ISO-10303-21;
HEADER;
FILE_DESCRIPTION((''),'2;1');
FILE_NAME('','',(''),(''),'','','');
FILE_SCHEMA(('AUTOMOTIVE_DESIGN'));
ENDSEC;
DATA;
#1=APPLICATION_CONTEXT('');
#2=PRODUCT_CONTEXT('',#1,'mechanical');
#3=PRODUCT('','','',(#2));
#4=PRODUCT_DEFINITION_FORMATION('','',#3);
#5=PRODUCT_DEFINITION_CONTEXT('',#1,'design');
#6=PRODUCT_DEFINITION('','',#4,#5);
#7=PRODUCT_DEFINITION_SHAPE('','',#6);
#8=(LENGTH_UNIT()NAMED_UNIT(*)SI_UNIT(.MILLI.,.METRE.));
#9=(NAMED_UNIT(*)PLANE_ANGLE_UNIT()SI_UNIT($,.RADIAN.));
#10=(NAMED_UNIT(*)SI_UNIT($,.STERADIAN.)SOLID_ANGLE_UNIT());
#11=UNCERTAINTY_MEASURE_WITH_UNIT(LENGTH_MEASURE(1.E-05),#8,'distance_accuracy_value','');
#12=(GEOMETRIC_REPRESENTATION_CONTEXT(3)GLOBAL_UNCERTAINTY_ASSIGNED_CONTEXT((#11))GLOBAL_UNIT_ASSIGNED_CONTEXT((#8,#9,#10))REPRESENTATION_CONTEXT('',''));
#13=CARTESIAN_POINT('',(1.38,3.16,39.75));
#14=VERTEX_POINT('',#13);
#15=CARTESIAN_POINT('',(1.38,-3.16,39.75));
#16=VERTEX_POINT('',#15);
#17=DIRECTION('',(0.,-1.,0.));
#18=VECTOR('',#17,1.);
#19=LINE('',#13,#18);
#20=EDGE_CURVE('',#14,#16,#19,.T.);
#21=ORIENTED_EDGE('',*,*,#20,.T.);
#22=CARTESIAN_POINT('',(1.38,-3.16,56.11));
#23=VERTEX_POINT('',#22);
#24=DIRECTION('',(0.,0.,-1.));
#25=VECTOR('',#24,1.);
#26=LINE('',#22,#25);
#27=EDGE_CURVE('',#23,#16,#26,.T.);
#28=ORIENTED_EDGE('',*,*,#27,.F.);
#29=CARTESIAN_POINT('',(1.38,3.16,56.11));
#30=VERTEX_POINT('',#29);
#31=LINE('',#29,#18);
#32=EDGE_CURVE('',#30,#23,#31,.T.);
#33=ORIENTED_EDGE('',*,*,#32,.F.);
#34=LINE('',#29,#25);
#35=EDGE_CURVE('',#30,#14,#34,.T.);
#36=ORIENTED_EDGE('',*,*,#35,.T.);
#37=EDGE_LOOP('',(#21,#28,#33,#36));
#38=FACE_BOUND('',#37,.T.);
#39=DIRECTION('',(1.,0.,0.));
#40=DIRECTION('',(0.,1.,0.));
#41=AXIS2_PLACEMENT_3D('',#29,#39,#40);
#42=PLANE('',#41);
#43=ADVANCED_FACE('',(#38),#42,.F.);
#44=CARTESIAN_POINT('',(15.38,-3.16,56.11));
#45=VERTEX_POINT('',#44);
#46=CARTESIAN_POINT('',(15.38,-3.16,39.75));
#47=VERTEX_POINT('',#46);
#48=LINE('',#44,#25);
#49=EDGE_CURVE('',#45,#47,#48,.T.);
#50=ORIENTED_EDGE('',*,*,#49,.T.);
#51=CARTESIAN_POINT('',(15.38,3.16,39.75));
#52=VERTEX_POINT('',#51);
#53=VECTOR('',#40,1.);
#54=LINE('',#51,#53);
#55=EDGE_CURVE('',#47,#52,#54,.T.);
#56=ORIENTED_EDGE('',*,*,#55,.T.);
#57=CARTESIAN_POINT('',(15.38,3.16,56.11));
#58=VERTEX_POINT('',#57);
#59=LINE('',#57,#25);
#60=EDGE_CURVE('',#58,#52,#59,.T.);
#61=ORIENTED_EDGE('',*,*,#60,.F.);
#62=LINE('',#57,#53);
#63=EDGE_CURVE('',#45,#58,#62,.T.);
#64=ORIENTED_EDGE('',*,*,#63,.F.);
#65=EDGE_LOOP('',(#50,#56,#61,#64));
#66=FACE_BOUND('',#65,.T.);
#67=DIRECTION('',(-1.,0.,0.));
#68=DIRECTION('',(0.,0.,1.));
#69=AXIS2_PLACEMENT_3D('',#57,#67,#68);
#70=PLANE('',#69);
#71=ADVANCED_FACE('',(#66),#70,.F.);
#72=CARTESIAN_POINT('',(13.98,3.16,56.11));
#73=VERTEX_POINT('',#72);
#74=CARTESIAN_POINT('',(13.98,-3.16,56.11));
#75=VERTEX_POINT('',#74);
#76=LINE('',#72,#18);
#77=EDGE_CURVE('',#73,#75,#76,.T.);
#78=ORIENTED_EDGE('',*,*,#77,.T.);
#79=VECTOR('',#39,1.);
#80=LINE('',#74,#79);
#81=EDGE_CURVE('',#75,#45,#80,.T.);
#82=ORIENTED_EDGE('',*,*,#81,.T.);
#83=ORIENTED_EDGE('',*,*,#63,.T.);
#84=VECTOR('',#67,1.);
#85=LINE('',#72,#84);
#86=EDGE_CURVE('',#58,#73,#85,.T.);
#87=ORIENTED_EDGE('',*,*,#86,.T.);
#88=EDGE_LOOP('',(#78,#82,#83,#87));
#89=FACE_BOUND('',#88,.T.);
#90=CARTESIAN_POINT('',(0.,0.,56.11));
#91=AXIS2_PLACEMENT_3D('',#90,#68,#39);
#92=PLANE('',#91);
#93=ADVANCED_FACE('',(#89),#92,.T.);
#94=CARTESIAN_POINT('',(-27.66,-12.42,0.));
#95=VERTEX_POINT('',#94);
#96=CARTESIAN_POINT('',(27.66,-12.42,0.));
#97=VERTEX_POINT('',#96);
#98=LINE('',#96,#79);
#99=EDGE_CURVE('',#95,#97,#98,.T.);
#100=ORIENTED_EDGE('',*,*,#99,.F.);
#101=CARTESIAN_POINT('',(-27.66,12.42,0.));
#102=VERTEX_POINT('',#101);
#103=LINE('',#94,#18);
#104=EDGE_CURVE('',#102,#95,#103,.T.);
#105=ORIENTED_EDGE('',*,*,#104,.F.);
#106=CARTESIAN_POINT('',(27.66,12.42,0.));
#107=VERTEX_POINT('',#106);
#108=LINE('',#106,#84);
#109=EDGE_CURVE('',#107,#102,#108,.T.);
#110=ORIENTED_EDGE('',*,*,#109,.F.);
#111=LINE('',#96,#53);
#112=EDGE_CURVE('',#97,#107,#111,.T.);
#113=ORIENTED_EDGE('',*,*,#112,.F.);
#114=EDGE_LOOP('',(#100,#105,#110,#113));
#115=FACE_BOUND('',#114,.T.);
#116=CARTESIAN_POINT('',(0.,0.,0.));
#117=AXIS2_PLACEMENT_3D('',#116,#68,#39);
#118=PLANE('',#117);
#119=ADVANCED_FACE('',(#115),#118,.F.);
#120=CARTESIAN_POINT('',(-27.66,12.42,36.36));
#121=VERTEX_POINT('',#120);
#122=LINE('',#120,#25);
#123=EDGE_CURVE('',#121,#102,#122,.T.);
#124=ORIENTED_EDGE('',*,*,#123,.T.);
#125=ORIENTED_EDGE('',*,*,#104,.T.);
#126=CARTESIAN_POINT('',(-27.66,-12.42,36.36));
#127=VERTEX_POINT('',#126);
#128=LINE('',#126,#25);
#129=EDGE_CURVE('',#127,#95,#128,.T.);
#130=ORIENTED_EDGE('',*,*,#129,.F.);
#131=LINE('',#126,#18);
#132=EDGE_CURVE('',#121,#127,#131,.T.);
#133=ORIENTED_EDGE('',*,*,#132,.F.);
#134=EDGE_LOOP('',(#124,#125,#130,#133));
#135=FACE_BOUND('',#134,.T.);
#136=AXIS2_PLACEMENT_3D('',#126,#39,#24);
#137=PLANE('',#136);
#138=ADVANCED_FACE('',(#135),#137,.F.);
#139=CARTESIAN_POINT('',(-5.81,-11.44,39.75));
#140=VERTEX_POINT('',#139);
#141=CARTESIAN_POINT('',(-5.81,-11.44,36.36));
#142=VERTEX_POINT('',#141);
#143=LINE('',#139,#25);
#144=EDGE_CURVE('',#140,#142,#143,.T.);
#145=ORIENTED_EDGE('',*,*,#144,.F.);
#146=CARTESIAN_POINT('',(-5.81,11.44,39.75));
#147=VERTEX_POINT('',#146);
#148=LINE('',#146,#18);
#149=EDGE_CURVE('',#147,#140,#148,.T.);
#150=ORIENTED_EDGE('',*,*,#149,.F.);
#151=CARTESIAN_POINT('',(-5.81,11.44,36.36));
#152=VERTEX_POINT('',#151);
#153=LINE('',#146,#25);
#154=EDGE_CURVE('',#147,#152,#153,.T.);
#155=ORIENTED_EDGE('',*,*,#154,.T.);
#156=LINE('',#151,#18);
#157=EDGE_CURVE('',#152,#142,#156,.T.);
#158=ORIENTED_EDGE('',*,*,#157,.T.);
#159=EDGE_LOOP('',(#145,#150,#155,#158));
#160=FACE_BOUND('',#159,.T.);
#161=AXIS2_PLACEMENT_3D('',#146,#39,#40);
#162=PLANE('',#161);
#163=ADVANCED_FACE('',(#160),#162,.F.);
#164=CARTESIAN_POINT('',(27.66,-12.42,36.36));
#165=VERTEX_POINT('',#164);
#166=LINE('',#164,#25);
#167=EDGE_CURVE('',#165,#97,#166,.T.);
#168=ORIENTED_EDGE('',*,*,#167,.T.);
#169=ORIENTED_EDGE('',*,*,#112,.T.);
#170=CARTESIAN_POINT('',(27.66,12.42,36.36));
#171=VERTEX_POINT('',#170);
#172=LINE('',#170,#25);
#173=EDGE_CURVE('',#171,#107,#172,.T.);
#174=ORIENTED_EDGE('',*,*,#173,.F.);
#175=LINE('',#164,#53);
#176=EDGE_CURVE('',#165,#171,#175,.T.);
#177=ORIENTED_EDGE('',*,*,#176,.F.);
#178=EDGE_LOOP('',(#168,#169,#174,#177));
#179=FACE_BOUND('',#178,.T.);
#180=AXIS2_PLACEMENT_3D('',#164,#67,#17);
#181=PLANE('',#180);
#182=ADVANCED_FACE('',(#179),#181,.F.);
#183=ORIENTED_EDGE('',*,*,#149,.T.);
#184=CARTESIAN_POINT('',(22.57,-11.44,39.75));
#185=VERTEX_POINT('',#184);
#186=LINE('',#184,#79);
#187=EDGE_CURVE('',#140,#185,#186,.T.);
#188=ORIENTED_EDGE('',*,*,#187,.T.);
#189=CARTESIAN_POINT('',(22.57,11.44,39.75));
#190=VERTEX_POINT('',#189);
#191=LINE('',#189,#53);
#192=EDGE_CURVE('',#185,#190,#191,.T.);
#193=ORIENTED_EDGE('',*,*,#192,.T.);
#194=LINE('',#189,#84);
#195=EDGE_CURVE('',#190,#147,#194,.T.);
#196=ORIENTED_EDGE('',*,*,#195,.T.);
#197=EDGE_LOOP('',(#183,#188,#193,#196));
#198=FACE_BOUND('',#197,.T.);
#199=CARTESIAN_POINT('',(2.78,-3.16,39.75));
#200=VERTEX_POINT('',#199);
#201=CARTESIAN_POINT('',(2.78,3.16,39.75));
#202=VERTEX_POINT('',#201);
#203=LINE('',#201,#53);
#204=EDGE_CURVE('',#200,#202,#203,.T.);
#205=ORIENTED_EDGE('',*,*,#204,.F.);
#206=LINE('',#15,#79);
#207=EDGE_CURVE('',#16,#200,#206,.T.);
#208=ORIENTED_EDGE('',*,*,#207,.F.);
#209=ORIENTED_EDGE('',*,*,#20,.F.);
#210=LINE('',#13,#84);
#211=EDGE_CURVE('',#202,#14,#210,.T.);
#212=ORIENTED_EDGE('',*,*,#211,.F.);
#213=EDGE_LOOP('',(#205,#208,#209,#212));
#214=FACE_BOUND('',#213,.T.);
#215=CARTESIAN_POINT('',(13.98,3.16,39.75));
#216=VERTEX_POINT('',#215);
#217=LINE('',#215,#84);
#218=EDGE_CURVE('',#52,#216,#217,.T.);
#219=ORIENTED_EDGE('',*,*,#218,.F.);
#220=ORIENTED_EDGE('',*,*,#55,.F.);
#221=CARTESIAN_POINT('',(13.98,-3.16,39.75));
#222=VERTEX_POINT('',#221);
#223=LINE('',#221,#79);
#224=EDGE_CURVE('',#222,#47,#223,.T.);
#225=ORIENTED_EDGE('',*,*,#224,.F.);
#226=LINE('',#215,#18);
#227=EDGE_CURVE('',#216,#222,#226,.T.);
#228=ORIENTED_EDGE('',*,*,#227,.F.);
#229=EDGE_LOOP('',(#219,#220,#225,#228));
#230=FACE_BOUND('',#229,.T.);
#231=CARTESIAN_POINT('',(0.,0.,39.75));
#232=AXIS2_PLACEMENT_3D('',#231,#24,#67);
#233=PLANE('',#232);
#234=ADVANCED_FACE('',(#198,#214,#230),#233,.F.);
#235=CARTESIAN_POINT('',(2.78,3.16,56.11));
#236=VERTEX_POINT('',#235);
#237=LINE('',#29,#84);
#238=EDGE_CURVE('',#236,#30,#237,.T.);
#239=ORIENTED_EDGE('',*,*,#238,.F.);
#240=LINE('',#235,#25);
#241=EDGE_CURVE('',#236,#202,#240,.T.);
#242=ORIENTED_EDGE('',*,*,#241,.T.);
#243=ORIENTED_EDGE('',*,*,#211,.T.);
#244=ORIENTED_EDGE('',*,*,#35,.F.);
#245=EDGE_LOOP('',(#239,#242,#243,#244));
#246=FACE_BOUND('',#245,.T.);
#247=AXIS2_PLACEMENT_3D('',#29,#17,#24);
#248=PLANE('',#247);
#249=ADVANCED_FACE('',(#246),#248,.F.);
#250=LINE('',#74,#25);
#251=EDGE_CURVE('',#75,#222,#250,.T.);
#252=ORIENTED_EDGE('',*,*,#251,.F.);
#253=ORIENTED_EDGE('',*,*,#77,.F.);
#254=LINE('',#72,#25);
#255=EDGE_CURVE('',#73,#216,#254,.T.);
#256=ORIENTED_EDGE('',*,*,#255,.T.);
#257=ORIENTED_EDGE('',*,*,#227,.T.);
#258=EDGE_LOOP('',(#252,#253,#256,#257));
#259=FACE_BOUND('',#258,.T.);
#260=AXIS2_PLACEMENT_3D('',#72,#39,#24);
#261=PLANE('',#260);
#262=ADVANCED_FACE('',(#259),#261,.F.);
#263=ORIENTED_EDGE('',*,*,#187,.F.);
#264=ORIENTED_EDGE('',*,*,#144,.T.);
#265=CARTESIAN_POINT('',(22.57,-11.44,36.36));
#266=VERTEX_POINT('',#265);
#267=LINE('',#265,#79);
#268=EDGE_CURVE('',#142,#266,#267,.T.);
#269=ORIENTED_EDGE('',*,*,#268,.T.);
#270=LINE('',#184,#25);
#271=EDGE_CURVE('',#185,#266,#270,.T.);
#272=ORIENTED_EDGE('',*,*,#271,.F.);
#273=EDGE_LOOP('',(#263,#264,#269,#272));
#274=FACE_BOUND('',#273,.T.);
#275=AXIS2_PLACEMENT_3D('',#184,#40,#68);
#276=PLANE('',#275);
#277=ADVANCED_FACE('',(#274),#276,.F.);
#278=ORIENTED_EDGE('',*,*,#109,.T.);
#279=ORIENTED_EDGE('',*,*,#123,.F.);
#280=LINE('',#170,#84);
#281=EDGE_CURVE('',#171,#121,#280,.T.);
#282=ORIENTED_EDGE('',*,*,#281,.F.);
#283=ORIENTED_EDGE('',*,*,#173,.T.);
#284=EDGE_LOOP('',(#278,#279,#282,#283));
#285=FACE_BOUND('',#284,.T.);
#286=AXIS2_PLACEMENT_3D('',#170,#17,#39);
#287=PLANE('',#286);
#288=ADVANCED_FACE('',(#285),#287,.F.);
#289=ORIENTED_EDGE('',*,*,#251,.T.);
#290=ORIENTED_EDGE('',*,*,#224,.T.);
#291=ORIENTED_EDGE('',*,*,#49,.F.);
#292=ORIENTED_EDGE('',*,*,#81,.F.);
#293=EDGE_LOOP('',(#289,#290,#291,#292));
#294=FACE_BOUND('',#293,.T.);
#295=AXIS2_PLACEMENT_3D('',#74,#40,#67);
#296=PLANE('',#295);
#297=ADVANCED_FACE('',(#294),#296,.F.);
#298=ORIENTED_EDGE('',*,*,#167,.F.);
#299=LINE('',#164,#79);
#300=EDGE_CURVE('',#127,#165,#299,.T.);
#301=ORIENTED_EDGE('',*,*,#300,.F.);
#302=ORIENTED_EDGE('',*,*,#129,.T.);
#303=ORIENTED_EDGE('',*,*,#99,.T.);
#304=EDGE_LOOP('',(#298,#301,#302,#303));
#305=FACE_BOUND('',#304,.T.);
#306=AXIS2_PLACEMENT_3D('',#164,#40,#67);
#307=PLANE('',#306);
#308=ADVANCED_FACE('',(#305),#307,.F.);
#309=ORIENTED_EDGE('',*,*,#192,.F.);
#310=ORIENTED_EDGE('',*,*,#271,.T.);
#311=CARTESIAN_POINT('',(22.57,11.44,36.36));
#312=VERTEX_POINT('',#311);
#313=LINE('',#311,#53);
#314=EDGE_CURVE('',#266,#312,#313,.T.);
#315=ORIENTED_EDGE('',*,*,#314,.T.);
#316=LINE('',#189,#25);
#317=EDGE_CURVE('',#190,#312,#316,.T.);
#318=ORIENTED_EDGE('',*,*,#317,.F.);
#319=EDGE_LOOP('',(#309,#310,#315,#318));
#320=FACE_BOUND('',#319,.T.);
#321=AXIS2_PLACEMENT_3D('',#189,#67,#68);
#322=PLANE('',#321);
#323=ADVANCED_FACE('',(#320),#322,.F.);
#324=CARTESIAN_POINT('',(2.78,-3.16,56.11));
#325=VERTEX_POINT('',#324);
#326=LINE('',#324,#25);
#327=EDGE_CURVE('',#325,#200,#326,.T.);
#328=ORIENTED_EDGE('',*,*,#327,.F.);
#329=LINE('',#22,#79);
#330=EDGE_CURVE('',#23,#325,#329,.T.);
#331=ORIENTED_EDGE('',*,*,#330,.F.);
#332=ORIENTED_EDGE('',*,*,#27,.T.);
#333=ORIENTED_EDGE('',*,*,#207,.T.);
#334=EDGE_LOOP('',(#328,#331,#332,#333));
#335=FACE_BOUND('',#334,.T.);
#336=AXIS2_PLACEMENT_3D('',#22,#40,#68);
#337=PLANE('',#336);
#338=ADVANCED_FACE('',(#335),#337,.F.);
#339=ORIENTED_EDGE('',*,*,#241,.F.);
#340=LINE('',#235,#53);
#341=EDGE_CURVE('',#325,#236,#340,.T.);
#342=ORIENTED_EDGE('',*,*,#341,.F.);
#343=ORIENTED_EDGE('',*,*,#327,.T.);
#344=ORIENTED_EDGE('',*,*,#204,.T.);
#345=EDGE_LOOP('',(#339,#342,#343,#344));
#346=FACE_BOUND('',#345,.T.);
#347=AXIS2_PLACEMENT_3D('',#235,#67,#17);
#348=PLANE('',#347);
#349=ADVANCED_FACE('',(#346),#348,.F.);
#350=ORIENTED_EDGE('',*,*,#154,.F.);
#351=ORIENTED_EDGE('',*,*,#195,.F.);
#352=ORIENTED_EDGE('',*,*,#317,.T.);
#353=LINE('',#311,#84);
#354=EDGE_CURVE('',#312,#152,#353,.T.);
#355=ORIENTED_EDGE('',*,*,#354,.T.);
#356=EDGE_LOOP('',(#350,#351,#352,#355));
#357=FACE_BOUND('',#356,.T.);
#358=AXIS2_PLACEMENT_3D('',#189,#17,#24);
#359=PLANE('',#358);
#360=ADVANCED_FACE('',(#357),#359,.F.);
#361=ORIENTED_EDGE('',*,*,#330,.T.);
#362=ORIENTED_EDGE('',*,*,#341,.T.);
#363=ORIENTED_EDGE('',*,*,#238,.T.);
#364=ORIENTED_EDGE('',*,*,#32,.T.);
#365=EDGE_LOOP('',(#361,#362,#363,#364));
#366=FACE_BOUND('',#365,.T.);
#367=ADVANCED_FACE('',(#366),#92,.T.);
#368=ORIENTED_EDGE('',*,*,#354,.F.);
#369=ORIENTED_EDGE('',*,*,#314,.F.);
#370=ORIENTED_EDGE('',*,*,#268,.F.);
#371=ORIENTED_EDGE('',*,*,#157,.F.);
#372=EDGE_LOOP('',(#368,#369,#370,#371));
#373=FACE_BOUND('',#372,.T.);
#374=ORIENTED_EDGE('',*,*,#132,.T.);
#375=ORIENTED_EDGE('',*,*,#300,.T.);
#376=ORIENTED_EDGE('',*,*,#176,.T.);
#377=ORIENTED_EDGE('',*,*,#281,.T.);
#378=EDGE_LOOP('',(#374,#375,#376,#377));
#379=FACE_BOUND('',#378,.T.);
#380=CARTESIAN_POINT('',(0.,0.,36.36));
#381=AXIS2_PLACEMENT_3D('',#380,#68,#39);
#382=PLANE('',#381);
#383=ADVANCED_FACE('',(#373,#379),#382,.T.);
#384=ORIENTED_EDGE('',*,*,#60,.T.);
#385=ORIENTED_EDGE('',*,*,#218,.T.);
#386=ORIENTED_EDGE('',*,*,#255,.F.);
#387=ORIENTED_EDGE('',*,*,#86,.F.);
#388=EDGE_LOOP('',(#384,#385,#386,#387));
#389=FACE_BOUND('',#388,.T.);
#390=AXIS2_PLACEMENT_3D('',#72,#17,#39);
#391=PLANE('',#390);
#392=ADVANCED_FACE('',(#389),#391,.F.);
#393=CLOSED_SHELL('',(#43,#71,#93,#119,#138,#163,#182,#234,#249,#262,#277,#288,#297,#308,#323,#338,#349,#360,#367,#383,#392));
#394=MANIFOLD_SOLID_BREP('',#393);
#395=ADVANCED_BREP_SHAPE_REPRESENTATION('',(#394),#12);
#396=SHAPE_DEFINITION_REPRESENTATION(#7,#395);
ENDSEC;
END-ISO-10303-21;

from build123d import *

# Parameters (mm, degrees)
SKETCH1_W           = 55.32
SKETCH1_H           = 24.84
BOSS_EXTRUDE1_DEPTH = 36.36
SKETCH2_W           = 28.38
SKETCH2_H           = 22.88
BOSS_EXTRUDE2_DEPTH = 3.39
SKETCH3_W           = 1.4
SKETCH3_H           = 6.32
BOSS_EXTRUDE3_DEPTH = 16.36


with BuildPart() as part:
    # Sketch1 → Boss-Extrude1 (new body)
    with BuildSketch(Plane.XY):
        Rectangle(SKETCH1_W, SKETCH1_H)
    extrude(amount=BOSS_EXTRUDE1_DEPTH)

    # Sketch2 → Boss-Extrude2 (add)
    with BuildSketch(Plane.XY.offset(36.36)):
        with Locations((8.38, 0)):
            Rectangle(SKETCH2_W, SKETCH2_H)
    extrude(amount=BOSS_EXTRUDE2_DEPTH)

    # Sketch3 → Boss-Extrude3 (add)
    with BuildSketch(Plane.XY.offset(39.75)):
        with Locations((14.68, 0)):
            Rectangle(SKETCH3_W, SKETCH3_H)
        with Locations((2.08, 0)):
            Rectangle(SKETCH3_W, SKETCH3_H)
    extrude(amount=BOSS_EXTRUDE3_DEPTH)


solid = part.part
